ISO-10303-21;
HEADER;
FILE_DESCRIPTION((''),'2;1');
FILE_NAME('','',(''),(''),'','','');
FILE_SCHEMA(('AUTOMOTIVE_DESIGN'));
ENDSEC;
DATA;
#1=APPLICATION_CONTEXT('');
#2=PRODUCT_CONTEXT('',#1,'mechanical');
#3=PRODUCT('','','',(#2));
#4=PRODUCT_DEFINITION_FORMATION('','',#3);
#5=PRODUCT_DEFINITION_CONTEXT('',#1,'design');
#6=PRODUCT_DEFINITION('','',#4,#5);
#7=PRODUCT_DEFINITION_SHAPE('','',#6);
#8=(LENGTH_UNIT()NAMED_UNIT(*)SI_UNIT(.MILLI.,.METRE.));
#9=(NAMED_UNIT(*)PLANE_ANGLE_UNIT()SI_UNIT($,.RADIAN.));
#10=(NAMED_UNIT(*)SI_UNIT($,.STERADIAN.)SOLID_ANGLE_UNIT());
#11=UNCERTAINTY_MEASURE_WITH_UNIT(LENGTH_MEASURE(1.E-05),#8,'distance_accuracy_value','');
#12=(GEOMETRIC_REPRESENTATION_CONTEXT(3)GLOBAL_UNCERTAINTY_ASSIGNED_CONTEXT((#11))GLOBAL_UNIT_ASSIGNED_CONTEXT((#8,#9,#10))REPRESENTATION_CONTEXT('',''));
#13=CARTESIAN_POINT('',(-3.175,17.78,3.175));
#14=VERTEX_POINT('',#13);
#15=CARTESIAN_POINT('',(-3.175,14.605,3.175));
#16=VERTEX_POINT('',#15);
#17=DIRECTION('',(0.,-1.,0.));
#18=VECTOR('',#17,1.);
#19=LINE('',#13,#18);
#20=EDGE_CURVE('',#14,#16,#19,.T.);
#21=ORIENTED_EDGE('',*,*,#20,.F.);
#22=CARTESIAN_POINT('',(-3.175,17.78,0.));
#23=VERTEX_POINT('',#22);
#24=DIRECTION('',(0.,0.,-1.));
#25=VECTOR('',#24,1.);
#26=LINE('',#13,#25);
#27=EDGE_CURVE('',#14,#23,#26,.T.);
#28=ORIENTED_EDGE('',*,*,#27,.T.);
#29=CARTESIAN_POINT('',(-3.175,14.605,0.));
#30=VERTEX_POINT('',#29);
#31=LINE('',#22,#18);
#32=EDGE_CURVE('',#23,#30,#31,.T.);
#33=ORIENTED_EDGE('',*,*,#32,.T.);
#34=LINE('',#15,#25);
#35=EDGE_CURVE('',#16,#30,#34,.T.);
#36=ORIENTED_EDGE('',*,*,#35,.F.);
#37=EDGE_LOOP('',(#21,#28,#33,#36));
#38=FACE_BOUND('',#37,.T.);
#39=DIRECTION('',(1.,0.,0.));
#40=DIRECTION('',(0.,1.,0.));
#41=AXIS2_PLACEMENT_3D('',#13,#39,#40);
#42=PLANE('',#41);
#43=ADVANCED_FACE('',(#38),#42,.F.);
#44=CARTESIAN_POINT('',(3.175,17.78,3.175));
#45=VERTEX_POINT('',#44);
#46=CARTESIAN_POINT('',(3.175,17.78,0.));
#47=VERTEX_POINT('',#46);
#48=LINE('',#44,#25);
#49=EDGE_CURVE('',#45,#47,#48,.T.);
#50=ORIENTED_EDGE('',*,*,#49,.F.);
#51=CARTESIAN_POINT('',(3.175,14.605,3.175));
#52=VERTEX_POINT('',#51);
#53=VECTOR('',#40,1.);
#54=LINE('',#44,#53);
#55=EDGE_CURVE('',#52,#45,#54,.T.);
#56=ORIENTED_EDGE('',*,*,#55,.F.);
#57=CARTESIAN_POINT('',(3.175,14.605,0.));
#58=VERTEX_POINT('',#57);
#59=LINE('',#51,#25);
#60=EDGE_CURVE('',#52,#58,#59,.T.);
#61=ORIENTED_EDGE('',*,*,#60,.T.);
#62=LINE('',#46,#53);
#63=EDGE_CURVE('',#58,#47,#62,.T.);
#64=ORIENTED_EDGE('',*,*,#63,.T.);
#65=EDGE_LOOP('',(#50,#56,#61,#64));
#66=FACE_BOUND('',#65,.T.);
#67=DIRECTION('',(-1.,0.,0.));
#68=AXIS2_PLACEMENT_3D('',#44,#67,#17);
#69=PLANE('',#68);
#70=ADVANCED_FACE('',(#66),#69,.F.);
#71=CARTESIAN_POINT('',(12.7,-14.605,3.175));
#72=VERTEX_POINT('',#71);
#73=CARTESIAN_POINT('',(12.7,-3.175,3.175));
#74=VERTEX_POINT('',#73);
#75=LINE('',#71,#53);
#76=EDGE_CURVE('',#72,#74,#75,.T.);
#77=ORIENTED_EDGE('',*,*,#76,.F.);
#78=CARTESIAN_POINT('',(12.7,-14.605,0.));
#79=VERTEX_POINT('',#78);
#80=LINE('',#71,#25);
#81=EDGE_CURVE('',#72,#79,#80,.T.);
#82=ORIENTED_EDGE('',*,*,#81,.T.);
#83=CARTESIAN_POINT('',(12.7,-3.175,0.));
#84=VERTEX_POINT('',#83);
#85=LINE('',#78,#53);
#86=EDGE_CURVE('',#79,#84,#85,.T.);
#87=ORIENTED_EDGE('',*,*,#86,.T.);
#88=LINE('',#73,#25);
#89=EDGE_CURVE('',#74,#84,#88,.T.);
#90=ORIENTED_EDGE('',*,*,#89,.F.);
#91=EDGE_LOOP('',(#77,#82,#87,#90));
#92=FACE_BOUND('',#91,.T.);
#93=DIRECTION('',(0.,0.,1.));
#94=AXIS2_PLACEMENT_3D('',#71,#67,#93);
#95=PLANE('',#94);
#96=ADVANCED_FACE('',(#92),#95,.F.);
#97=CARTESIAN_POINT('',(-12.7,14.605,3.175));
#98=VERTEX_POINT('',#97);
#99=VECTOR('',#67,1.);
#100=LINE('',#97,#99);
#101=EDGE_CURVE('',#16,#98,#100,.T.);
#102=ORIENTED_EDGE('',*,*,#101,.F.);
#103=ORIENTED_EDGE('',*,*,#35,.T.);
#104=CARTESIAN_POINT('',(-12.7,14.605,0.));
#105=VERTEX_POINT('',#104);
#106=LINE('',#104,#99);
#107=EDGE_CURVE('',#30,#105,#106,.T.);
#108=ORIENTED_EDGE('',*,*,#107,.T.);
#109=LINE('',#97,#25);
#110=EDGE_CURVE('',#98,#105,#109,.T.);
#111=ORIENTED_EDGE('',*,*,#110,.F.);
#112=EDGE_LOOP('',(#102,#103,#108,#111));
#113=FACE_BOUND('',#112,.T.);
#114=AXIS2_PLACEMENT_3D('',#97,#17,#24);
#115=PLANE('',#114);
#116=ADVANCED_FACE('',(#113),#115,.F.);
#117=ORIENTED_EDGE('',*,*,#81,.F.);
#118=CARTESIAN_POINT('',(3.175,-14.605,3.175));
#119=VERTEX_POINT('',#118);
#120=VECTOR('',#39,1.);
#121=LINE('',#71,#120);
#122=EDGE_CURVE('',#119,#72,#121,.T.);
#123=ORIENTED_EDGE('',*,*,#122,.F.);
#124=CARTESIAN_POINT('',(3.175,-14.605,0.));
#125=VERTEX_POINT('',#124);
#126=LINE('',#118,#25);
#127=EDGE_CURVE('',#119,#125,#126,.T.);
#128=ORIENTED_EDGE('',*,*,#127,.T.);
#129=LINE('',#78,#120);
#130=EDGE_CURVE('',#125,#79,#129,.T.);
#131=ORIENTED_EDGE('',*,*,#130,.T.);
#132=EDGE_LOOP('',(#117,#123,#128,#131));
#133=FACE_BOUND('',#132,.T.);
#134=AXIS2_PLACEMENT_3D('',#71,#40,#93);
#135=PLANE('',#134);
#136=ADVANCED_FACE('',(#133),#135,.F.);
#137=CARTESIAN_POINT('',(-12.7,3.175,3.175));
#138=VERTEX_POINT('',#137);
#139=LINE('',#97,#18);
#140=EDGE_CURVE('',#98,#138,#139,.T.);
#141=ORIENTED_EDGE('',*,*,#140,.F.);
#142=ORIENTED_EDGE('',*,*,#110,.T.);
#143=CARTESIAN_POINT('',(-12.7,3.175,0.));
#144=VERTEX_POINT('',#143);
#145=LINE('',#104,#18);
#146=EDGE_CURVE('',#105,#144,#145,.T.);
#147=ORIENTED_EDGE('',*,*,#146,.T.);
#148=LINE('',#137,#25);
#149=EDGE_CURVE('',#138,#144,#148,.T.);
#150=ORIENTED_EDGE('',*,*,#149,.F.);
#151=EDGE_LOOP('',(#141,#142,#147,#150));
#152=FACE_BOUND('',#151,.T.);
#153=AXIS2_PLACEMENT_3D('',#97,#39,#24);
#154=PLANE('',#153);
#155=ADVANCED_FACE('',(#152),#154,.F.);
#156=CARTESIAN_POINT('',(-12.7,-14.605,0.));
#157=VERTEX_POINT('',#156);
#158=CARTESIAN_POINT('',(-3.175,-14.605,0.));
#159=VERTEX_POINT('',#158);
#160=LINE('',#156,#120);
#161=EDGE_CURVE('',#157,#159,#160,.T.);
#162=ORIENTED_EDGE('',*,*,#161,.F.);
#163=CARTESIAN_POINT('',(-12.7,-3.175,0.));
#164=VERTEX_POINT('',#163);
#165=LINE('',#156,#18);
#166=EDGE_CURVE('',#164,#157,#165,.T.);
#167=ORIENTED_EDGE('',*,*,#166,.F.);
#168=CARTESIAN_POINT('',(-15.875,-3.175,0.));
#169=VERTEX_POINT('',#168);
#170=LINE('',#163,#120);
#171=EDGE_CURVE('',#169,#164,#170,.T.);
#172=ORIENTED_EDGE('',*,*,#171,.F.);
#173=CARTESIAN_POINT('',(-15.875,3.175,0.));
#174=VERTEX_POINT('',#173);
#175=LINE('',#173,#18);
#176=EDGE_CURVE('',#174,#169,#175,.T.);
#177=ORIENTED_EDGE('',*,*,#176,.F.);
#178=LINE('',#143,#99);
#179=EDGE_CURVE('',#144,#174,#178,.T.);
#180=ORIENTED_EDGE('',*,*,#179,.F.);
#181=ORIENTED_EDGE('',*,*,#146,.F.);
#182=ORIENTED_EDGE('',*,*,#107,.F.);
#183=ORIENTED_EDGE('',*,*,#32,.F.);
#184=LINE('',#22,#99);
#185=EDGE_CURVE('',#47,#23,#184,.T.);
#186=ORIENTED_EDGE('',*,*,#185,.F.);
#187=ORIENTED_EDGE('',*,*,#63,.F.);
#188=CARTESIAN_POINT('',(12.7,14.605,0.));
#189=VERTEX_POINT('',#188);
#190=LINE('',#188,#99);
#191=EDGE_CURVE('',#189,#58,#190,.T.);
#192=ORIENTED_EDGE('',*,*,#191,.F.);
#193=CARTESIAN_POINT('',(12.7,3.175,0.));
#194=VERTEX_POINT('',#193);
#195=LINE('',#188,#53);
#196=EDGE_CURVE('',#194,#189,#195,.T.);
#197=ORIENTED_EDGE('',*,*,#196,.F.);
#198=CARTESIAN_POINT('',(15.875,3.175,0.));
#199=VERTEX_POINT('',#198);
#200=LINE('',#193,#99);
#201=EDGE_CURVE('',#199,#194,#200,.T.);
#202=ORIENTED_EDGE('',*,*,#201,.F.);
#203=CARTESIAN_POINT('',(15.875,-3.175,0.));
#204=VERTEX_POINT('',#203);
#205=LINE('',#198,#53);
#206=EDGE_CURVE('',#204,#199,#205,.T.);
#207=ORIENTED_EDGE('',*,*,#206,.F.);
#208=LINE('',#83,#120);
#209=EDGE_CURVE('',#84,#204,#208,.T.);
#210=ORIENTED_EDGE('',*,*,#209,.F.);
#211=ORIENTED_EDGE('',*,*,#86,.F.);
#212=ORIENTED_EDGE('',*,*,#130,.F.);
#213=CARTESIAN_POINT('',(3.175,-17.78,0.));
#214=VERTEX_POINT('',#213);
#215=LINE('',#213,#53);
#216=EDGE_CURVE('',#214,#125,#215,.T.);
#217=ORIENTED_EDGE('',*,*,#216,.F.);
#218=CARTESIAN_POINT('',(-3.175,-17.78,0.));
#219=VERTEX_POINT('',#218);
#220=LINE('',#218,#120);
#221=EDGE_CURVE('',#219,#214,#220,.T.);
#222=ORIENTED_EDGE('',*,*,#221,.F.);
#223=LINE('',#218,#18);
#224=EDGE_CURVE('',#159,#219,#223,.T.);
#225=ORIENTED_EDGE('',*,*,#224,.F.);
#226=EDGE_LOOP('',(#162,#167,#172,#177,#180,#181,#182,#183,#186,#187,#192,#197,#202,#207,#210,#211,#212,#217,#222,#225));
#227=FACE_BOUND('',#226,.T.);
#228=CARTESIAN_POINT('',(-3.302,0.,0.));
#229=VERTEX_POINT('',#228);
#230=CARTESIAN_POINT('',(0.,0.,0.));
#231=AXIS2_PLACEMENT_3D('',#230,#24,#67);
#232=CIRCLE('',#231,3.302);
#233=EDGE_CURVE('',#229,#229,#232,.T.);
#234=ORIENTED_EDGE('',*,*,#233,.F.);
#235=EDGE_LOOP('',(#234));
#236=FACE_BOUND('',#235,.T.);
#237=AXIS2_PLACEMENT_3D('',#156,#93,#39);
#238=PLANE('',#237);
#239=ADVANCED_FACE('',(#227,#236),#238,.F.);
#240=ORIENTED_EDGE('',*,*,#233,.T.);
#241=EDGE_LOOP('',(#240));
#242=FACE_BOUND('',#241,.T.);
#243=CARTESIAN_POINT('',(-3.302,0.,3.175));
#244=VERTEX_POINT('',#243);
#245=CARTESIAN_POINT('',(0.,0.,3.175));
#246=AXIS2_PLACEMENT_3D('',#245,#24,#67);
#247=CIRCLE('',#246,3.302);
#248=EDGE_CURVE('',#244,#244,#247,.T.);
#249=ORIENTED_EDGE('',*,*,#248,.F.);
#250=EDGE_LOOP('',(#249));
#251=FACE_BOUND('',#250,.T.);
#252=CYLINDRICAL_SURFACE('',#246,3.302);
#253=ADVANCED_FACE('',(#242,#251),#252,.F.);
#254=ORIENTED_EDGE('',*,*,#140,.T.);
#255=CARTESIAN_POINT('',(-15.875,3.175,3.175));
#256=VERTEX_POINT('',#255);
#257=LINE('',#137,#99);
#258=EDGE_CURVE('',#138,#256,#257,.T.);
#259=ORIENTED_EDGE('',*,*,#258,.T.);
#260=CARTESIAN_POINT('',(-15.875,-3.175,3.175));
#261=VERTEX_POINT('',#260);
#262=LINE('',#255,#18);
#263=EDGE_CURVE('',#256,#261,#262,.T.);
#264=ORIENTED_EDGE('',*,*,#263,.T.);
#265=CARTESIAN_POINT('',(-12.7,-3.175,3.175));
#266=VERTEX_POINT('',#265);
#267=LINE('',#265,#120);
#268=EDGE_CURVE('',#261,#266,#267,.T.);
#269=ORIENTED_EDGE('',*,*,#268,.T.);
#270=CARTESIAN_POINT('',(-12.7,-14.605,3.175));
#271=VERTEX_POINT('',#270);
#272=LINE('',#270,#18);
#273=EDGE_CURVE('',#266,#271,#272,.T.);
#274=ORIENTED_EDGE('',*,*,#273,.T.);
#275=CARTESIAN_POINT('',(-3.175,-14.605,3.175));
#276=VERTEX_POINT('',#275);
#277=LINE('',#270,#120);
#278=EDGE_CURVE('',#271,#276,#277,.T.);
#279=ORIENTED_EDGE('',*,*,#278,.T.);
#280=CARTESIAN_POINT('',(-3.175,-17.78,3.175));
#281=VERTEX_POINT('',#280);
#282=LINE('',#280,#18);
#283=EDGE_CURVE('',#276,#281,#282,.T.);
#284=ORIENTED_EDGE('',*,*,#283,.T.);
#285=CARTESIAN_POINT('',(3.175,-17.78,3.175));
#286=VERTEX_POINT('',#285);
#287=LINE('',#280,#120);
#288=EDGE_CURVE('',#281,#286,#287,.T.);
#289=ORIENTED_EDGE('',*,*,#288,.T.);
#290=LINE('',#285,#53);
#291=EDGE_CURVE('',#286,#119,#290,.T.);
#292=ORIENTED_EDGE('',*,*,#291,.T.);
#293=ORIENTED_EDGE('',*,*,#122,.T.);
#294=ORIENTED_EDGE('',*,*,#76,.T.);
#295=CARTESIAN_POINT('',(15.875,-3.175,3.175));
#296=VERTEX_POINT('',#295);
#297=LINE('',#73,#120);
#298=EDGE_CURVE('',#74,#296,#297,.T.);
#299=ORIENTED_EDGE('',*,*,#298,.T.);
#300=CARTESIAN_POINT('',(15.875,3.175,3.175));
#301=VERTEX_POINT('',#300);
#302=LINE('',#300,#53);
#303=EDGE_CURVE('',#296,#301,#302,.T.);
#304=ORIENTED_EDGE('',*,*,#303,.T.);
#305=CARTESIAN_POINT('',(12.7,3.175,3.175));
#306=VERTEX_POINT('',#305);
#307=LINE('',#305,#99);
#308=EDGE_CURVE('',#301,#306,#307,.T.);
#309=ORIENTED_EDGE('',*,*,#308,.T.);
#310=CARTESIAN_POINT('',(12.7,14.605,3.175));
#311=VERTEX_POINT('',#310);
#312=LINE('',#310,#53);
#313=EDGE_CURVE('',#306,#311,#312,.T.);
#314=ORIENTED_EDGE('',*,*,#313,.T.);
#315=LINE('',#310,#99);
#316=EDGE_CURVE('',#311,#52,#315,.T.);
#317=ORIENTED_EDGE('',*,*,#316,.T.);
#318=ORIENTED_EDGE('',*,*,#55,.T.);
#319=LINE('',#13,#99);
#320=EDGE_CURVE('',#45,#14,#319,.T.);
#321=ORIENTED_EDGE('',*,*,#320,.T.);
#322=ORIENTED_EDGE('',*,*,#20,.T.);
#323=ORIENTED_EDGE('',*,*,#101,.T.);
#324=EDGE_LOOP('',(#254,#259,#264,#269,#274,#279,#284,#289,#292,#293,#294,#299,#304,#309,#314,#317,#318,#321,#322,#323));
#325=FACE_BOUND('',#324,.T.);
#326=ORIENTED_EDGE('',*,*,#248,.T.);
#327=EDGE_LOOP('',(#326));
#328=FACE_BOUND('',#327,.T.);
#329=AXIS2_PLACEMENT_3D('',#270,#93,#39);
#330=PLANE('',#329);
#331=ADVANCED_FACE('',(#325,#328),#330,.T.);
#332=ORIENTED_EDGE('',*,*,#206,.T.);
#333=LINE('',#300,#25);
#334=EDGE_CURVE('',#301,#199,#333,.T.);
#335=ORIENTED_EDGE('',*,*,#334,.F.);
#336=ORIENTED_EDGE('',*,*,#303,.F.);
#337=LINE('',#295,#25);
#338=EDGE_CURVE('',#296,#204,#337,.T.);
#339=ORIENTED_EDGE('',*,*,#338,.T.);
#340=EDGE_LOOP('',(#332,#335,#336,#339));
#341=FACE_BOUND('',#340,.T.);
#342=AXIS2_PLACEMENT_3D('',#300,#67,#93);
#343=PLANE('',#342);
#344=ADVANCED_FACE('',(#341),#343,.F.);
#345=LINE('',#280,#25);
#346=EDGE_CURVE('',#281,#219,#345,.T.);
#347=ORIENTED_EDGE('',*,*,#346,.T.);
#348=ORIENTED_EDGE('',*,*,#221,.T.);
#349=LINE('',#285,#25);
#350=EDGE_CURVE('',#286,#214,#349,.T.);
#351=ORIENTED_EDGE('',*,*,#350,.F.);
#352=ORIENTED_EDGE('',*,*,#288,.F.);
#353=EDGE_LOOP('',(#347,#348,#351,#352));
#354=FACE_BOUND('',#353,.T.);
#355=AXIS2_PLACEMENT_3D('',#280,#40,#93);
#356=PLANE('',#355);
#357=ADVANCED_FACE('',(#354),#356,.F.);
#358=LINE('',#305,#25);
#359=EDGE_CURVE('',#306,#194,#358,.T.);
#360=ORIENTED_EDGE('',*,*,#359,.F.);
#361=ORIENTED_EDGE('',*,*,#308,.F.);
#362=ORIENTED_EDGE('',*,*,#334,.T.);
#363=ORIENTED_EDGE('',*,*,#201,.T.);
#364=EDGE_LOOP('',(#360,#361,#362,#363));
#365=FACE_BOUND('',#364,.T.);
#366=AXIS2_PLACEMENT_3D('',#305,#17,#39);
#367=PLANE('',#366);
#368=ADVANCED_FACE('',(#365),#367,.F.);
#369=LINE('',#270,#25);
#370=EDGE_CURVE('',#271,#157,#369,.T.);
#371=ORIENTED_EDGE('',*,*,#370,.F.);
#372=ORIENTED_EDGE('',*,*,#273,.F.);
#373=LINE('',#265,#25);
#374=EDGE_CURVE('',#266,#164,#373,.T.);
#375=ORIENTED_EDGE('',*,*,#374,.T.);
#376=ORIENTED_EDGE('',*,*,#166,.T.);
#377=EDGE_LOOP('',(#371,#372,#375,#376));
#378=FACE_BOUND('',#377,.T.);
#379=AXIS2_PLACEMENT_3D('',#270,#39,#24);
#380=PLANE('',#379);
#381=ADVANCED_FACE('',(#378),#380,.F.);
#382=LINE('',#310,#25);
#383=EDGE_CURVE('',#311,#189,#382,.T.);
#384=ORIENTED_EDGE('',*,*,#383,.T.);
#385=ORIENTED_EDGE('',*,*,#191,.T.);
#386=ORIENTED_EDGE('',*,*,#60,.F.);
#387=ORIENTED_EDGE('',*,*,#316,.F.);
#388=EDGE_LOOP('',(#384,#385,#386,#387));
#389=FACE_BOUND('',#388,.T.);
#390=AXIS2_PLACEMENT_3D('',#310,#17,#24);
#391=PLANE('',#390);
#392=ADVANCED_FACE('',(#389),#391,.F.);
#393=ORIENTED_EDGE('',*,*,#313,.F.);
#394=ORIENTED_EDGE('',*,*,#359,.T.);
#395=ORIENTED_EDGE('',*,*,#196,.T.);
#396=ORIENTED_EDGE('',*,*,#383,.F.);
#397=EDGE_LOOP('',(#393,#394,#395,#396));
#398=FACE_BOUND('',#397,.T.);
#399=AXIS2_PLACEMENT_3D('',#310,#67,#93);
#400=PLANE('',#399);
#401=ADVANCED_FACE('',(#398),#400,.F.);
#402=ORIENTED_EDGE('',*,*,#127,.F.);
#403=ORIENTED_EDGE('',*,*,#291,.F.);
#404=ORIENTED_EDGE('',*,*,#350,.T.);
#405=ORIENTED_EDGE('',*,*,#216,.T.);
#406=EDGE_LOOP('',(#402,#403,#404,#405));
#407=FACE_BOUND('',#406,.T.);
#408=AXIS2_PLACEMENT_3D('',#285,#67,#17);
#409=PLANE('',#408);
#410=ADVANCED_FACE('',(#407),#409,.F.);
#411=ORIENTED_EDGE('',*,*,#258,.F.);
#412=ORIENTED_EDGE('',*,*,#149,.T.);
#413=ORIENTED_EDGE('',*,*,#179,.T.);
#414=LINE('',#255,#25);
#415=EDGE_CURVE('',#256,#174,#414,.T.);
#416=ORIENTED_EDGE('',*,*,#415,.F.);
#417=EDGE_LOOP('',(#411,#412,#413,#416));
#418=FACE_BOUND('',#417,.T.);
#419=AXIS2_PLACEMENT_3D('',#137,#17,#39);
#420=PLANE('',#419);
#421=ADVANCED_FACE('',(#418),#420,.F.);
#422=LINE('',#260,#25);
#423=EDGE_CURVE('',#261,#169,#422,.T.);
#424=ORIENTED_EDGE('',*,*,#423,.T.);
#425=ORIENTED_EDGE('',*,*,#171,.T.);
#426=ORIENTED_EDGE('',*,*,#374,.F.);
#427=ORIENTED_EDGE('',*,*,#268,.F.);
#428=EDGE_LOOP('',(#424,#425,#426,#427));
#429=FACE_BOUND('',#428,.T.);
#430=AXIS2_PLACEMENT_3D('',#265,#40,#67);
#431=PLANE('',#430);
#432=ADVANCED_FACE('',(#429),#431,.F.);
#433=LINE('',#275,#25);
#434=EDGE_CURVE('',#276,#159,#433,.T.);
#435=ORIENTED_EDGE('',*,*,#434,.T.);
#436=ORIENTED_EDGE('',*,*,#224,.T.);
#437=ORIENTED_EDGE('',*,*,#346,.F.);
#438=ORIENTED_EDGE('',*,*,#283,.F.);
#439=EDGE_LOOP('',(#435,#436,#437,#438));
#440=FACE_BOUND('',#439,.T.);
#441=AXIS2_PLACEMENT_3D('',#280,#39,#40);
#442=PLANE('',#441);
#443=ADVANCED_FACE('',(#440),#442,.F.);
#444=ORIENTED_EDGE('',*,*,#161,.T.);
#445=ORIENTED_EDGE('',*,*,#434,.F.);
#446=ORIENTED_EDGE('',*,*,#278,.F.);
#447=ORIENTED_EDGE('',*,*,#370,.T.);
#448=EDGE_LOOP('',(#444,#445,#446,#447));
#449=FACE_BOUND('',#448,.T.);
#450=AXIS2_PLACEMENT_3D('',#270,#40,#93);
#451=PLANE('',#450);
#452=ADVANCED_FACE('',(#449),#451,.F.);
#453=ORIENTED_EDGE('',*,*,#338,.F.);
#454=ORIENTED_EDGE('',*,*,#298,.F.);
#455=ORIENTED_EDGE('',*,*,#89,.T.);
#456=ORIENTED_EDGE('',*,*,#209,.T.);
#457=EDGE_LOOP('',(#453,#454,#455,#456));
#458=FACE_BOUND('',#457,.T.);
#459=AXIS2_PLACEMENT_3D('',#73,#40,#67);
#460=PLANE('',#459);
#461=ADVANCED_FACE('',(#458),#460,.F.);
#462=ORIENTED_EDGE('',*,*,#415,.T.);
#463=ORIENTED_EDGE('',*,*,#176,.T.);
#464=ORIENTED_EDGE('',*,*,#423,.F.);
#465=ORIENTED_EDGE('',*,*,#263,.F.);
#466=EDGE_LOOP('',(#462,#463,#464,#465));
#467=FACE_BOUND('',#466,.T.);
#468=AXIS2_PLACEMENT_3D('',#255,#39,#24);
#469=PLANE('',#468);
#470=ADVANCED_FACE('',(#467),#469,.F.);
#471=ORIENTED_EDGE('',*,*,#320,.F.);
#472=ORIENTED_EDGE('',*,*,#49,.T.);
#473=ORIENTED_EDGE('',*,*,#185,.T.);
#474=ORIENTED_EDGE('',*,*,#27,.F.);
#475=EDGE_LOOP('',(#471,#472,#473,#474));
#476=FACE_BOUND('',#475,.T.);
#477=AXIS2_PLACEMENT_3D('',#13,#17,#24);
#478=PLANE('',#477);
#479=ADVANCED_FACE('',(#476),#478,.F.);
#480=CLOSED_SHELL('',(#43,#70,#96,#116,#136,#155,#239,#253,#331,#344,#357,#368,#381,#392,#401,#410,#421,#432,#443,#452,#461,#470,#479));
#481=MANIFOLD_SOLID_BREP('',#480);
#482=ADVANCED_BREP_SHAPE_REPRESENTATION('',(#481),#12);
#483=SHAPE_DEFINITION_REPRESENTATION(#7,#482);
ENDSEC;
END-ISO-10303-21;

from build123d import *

# Parameters (mm, degrees)
EXTRUDE1_DEPTH     = 3.175
SKETCH2_R          = 3.302
CUT_EXTRUDE1_DEPTH = 3.175


with BuildPart() as part:
    # Sketch1 → Extrude1 (new body)
    with BuildSketch(Plane.XY):
        Polygon((-12.7, 14.605), (-3.175, 14.605), (-3.175, 17.78), (3.175, 17.78), (3.175, 14.605), (12.7, 14.605), (12.7, 3.175), (15.875, 3.175), (15.875, -3.175), (12.7, -3.175), (12.7, -14.605), (3.175, -14.605), (3.175, -17.78), (-3.175, -17.78), (-3.175, -14.605), (-12.7, -14.605), (-12.7, -3.175), (-15.875, -3.175), (-15.875, 3.175), (-12.7, 3.175), align=None)
    extrude(amount=EXTRUDE1_DEPTH)

    # Sketch2 → Cut-Extrude1 (cut)
    with BuildSketch(Plane(origin=(0, 0, 0), x_dir=(-1, 0, 0), z_dir=(0, 0, -1))):
        Circle(SKETCH2_R)
    extrude(amount=-CUT_EXTRUDE1_DEPTH, mode=Mode.SUBTRACT)


solid = part.part
